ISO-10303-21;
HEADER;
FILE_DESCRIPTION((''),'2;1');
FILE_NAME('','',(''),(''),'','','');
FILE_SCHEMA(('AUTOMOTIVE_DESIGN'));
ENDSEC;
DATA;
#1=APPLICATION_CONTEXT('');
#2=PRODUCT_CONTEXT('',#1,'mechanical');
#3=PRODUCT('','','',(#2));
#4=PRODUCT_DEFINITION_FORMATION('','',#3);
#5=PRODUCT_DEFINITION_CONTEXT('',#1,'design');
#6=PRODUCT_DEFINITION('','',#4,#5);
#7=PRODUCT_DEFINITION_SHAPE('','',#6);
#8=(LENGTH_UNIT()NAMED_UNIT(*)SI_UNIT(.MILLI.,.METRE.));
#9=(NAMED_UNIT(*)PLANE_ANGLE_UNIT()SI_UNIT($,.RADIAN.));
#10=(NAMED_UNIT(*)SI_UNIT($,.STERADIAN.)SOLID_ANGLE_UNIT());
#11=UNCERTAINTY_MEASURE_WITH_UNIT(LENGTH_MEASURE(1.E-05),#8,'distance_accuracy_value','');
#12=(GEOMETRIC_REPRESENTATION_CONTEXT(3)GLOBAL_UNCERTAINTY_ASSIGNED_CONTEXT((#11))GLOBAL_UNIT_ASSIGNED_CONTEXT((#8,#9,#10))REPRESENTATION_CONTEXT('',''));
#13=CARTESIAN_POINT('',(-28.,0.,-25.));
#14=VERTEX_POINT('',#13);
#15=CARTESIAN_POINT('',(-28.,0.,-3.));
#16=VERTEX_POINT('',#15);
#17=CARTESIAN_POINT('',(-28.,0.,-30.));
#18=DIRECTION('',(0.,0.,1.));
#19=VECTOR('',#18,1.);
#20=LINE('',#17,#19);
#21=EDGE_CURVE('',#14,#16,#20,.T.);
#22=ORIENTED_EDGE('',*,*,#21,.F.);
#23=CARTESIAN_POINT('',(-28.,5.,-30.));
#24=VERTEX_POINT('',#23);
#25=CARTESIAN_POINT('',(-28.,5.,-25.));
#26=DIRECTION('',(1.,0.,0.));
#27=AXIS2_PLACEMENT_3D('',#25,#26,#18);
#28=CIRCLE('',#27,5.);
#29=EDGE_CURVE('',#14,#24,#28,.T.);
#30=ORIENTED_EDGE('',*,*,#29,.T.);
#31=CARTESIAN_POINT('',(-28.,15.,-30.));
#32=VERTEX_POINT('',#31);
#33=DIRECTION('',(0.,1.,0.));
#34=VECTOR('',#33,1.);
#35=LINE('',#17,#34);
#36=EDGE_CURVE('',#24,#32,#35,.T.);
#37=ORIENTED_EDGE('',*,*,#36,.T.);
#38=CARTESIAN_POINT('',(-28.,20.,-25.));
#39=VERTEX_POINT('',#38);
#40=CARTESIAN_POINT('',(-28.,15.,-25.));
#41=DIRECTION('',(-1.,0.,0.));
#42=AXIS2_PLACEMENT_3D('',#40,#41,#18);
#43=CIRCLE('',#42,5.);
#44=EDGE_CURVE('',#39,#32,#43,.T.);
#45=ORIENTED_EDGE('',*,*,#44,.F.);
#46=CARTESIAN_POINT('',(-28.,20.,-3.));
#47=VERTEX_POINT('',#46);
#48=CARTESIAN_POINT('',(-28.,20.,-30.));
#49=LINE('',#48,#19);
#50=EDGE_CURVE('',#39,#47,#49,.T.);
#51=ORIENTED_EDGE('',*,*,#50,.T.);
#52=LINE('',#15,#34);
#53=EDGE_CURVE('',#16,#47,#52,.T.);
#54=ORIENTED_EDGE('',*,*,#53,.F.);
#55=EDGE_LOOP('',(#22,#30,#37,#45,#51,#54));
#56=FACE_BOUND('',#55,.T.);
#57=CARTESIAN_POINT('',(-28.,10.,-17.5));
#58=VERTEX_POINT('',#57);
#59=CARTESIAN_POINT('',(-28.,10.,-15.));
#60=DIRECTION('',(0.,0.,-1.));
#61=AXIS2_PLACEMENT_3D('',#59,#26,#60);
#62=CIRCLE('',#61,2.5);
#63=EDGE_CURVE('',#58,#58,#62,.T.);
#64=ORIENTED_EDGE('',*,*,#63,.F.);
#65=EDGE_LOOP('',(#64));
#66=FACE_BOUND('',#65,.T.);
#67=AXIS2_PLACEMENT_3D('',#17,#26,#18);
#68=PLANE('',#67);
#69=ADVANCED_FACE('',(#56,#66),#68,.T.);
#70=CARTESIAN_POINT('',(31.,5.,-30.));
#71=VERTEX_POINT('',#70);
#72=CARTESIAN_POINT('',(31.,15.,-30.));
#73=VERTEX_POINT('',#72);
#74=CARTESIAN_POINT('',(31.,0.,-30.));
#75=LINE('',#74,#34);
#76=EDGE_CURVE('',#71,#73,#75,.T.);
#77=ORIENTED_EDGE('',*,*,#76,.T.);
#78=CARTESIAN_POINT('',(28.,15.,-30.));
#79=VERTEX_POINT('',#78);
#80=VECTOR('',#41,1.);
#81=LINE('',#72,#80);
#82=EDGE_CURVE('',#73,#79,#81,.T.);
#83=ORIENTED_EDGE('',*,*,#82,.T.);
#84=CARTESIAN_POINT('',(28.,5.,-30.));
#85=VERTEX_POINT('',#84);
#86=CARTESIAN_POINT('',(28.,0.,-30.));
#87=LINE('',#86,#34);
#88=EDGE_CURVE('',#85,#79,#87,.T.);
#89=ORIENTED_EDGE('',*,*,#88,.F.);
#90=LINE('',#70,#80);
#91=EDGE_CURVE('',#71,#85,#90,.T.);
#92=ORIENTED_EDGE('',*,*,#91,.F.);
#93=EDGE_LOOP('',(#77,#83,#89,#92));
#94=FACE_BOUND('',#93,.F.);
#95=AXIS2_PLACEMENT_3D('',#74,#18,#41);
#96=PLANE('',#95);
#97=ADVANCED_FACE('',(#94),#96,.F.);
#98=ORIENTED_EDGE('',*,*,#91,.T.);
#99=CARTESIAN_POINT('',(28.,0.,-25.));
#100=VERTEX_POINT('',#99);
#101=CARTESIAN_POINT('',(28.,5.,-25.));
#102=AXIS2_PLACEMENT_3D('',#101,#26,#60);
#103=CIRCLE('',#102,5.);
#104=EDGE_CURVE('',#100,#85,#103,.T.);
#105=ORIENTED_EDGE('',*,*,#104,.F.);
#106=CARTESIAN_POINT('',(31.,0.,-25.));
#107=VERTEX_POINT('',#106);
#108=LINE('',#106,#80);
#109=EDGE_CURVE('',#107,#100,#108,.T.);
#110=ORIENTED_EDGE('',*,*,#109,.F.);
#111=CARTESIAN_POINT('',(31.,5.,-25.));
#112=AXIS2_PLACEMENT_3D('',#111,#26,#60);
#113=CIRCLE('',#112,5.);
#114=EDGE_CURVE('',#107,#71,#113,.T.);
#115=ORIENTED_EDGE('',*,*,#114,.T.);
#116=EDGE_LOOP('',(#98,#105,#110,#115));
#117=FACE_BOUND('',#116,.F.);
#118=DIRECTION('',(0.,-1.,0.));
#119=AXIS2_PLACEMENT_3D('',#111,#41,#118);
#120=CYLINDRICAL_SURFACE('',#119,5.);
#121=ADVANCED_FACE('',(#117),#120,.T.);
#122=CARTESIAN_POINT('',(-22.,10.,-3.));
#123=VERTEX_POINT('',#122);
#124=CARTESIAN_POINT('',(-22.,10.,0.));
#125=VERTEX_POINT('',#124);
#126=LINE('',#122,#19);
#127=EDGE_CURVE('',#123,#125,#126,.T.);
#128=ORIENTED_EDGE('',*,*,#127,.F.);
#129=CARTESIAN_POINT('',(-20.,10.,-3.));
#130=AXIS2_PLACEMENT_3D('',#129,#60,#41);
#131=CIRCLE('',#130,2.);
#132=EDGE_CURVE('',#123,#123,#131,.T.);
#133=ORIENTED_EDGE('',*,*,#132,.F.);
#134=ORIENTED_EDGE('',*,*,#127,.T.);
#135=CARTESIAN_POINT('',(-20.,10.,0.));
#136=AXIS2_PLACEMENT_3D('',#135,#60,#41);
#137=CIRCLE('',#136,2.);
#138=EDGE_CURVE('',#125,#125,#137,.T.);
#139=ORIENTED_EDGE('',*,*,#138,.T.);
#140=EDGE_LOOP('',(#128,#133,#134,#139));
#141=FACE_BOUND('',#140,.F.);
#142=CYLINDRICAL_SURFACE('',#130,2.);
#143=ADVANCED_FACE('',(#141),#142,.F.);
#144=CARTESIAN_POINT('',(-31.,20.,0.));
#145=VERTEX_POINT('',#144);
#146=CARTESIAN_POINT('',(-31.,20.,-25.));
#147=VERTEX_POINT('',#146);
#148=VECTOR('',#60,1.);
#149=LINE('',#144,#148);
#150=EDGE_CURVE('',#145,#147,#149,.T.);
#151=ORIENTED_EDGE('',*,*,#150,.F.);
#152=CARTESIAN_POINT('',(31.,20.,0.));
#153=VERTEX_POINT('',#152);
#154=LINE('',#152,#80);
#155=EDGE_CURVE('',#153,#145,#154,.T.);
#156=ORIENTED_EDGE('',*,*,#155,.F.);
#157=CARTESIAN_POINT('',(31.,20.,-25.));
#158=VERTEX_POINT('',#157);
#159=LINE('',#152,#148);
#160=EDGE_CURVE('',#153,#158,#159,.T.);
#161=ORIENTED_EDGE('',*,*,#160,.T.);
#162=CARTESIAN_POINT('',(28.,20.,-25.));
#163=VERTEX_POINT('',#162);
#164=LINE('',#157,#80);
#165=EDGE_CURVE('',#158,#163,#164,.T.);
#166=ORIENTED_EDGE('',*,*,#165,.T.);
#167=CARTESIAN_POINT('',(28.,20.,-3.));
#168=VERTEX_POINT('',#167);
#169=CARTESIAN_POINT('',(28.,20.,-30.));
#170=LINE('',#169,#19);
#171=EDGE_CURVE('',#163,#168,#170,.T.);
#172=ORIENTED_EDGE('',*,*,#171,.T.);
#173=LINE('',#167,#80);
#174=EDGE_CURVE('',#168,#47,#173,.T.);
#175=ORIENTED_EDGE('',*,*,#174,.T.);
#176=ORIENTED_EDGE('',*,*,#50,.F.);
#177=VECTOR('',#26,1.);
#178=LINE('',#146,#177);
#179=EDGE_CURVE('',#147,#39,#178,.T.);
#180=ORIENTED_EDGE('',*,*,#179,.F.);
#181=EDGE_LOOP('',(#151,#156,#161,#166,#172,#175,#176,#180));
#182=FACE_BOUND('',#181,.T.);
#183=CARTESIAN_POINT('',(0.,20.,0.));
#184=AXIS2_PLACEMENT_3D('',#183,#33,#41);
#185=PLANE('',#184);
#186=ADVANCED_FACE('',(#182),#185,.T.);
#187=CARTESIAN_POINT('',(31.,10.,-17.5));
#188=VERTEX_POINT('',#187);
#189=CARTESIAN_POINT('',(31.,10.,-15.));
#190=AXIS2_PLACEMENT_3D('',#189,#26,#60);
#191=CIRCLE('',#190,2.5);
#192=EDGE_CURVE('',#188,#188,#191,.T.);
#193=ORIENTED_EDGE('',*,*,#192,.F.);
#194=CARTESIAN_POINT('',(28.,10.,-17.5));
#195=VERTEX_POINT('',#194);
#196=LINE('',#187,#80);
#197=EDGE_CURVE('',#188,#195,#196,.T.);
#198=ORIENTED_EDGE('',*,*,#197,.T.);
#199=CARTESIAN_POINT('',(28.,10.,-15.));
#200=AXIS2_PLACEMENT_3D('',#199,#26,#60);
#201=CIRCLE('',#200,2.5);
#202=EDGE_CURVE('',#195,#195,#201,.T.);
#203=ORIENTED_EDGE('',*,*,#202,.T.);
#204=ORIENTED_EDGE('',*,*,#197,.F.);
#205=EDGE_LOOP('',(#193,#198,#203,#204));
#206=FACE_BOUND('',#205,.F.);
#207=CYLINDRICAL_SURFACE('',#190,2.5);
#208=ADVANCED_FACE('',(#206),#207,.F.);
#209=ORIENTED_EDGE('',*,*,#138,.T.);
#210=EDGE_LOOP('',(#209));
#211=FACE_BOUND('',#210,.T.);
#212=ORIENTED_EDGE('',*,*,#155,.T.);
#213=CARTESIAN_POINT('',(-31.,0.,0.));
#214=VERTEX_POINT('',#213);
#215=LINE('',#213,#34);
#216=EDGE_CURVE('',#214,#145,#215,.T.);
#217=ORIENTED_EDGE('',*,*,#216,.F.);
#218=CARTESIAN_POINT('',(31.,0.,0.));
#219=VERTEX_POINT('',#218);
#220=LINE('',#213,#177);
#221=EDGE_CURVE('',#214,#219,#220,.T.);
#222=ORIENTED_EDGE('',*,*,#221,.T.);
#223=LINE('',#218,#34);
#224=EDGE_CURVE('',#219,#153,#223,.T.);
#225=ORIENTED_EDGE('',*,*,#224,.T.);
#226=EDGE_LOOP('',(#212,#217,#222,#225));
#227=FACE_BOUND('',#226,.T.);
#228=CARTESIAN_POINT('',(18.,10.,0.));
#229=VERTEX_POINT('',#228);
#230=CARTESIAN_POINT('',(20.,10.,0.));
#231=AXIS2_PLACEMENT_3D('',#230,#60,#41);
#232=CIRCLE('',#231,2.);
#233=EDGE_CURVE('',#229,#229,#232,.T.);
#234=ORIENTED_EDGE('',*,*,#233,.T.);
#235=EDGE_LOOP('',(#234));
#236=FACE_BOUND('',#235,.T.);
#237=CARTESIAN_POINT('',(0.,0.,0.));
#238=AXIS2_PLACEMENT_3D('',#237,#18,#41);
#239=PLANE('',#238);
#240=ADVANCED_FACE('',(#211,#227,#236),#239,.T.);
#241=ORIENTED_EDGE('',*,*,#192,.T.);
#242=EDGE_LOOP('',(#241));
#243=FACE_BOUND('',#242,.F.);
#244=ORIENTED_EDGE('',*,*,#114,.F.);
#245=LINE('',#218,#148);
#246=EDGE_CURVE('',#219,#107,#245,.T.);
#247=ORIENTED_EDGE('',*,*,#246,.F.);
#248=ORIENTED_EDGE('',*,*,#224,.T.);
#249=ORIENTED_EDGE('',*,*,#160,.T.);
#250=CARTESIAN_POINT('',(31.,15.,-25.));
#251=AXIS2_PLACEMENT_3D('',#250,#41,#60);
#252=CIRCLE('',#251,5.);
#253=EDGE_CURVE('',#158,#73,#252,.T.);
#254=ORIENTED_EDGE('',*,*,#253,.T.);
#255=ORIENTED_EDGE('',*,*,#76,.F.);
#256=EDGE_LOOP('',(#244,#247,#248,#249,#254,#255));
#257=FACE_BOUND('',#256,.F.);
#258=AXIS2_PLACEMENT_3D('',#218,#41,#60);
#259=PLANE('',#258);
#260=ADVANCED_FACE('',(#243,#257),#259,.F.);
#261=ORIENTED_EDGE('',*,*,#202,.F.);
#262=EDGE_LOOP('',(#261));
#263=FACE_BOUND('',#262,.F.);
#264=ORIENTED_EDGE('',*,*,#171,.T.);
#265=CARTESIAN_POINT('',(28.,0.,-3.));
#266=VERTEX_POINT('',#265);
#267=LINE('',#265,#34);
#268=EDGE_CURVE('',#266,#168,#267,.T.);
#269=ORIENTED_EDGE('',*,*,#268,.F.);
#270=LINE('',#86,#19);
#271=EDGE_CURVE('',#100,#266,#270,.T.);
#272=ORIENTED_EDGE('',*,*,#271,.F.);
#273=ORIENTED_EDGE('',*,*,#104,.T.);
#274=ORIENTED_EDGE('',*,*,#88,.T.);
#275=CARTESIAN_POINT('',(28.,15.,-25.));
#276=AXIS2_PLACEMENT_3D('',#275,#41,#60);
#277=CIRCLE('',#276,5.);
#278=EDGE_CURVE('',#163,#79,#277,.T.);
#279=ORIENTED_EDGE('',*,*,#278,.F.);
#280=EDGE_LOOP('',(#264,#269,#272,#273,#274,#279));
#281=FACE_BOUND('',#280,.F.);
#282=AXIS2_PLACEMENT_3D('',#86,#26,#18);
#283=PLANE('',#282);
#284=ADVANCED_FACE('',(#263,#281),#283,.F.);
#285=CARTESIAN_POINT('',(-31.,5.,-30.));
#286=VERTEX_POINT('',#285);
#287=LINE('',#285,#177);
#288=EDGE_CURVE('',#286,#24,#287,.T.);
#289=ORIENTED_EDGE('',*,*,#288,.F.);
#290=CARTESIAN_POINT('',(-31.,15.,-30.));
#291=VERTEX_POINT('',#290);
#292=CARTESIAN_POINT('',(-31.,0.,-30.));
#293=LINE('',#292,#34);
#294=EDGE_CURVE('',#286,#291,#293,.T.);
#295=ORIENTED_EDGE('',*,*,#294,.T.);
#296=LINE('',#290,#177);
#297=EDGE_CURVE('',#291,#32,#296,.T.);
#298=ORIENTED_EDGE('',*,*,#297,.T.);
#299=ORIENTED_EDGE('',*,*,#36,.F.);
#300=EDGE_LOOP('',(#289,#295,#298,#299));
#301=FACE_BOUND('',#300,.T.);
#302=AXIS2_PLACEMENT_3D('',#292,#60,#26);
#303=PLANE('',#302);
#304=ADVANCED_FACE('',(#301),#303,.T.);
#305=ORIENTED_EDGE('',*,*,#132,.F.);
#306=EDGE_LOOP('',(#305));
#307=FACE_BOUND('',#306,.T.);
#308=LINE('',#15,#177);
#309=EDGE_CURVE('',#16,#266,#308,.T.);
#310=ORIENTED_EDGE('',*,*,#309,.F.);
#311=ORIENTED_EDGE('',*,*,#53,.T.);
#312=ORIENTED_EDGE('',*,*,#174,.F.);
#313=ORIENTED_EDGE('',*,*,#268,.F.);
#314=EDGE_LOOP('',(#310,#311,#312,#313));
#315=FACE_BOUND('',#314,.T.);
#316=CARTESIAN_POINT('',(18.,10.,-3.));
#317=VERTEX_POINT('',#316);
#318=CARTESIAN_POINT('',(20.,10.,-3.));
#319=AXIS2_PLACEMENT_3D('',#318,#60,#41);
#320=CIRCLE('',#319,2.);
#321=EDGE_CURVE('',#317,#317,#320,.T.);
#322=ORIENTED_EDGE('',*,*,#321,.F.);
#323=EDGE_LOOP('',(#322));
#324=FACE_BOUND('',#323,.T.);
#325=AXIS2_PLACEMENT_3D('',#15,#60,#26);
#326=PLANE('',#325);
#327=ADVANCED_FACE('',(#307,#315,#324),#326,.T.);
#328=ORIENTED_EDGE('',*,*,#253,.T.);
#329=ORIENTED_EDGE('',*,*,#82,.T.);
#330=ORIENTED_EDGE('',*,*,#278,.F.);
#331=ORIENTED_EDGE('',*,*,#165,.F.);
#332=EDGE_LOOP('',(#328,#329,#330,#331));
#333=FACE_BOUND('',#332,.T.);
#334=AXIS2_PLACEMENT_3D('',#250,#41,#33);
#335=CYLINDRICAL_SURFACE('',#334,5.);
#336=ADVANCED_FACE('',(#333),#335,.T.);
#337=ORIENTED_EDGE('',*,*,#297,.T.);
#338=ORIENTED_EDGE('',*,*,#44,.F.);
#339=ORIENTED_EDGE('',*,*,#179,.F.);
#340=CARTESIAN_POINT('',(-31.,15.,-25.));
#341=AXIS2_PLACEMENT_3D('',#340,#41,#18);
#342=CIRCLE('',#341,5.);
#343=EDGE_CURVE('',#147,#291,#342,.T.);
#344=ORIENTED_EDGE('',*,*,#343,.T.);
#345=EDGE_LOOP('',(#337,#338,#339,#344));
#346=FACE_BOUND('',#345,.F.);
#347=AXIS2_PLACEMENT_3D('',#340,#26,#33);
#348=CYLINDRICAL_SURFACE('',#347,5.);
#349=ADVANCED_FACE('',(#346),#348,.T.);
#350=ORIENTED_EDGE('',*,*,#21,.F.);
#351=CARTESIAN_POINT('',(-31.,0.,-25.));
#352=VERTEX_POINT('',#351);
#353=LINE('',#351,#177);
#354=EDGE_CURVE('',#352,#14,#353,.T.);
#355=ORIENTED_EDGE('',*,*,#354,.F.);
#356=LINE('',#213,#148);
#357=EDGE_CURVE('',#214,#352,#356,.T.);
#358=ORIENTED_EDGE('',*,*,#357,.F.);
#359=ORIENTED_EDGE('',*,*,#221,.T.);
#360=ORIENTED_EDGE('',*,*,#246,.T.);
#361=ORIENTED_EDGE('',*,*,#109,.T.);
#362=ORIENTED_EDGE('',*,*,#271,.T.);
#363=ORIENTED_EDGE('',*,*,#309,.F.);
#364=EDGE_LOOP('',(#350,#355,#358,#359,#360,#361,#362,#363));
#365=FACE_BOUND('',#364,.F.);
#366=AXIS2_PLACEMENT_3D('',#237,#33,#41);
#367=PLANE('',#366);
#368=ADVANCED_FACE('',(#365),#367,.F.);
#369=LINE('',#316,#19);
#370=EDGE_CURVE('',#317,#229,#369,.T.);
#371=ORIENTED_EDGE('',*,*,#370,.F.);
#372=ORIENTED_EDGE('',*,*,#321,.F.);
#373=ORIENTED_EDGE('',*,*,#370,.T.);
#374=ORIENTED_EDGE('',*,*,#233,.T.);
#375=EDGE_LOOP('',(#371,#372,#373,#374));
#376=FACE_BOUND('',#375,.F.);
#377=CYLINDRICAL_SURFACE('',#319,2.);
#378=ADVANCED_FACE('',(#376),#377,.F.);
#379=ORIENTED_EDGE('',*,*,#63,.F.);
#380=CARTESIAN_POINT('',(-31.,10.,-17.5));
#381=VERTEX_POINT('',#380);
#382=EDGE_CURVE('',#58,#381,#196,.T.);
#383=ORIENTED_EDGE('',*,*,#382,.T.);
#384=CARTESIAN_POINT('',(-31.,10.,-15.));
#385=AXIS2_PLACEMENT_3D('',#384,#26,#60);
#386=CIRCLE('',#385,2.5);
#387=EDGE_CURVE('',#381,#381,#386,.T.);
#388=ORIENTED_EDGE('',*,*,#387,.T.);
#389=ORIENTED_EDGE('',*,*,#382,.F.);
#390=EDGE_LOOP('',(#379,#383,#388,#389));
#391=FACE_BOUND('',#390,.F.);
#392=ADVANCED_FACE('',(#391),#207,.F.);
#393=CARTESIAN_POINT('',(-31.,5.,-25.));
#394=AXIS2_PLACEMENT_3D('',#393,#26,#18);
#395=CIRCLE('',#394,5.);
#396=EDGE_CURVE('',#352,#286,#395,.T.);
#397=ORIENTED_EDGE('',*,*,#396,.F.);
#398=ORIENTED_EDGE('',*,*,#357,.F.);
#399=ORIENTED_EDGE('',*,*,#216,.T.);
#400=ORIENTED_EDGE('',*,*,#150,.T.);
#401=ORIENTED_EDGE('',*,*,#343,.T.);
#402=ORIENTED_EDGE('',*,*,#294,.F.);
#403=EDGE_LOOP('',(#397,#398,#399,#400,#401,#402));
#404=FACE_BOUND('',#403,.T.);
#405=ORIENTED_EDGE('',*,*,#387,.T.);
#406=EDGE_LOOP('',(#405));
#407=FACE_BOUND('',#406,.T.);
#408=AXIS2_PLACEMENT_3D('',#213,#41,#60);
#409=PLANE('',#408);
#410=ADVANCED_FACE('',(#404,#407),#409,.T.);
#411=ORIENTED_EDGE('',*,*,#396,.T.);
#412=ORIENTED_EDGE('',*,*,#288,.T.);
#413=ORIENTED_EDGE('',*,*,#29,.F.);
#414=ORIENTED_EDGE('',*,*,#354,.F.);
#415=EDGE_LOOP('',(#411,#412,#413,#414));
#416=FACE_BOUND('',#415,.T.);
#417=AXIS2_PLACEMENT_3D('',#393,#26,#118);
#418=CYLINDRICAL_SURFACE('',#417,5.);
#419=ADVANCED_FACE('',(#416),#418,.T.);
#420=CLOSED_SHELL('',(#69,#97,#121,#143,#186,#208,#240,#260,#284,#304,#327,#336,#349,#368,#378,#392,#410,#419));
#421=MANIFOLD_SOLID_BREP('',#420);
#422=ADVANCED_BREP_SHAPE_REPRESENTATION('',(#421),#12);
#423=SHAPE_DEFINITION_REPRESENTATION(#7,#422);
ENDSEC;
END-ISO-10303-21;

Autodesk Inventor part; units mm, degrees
ref_plane "YZ Plane" through (0, 0, 0) normal (1, 0, 0) x (0, 1, 0)
ref_plane "XZ Plane" through (0, 0, 0) normal (0, 1, 0) x (-1, 0, 0)
ref_plane "XY Plane" through (0, 0, 0) normal (0, 0, 1) x (1, 0, 0)
sketch "Sketch1" plane through (0, 0, 0) normal (0, 1, 0) x (-1, 0, 0)
  line L0 (0, 0) -> (31, 0)
  line L1 (31, 0) -> (31, -30)
  line L2 (31, -30) -> (28, -30)
  line L3 (28, -30) -> (28, -3)
  line L4 (28, -3) -> (0, -3)
  line L5 (0, -3) -> (0, 0) construction
  line L6 (0, 0) -> (-31, 0)
  line L7 (-31, 0) -> (-31, -30)
  line L8 (-31, -30) -> (-28, -30)
  line L9 (-28, -30) -> (-28, -3)
  line L10 (-28, -3) -> (0, -3)
  dimension "d0" = 31
  dimension "d1" = 30
  dimension "d2" = 3
  dimension "d3" = 27
extrude "Extrusion1" add sketch "Sketch1" along normal blind 20
sketch "Sketch2" plane through (31, 0, 0) normal (1, 0, 0) x (0, 0, -1)
  line L0 (30, 0) -> (0, 0) construction
  line L1 (0, 0) -> (15, 0) construction
  line L2 (15, 0) -> (15, 10) construction
  circle A0 centre (15, 10) radius 2.5
  dimension "d6" = 15
  dimension "d7" = 10
  dimension "d8" = 5
extrude "Extrusion2" cut sketch "Sketch2" against normal blind 70
fillet "Fillet1" radius 5 4 edges at (29.5, 20, -30) (29.5, 0, -30) (-29.5, 0, -30) (-29.5, 20, -30)
sketch "Sketch3" plane through (28, 0, -3) normal (0, 0, -1) x (-1, 0, 0)
  line L0 (28, 0) -> (28, 10) construction
  line L1 (28, 10) -> (48, 10) construction
  circle A0 centre (48, 10) radius 2
  circle A1 centre (8, 10) radius 2
  dimension "d12" = 10
  dimension "d13" = 20
  dimension "d14" = 4
extrude "Extrusion3" cut sketch "Sketch3" against normal blind 10
properties part number "Aligner"
